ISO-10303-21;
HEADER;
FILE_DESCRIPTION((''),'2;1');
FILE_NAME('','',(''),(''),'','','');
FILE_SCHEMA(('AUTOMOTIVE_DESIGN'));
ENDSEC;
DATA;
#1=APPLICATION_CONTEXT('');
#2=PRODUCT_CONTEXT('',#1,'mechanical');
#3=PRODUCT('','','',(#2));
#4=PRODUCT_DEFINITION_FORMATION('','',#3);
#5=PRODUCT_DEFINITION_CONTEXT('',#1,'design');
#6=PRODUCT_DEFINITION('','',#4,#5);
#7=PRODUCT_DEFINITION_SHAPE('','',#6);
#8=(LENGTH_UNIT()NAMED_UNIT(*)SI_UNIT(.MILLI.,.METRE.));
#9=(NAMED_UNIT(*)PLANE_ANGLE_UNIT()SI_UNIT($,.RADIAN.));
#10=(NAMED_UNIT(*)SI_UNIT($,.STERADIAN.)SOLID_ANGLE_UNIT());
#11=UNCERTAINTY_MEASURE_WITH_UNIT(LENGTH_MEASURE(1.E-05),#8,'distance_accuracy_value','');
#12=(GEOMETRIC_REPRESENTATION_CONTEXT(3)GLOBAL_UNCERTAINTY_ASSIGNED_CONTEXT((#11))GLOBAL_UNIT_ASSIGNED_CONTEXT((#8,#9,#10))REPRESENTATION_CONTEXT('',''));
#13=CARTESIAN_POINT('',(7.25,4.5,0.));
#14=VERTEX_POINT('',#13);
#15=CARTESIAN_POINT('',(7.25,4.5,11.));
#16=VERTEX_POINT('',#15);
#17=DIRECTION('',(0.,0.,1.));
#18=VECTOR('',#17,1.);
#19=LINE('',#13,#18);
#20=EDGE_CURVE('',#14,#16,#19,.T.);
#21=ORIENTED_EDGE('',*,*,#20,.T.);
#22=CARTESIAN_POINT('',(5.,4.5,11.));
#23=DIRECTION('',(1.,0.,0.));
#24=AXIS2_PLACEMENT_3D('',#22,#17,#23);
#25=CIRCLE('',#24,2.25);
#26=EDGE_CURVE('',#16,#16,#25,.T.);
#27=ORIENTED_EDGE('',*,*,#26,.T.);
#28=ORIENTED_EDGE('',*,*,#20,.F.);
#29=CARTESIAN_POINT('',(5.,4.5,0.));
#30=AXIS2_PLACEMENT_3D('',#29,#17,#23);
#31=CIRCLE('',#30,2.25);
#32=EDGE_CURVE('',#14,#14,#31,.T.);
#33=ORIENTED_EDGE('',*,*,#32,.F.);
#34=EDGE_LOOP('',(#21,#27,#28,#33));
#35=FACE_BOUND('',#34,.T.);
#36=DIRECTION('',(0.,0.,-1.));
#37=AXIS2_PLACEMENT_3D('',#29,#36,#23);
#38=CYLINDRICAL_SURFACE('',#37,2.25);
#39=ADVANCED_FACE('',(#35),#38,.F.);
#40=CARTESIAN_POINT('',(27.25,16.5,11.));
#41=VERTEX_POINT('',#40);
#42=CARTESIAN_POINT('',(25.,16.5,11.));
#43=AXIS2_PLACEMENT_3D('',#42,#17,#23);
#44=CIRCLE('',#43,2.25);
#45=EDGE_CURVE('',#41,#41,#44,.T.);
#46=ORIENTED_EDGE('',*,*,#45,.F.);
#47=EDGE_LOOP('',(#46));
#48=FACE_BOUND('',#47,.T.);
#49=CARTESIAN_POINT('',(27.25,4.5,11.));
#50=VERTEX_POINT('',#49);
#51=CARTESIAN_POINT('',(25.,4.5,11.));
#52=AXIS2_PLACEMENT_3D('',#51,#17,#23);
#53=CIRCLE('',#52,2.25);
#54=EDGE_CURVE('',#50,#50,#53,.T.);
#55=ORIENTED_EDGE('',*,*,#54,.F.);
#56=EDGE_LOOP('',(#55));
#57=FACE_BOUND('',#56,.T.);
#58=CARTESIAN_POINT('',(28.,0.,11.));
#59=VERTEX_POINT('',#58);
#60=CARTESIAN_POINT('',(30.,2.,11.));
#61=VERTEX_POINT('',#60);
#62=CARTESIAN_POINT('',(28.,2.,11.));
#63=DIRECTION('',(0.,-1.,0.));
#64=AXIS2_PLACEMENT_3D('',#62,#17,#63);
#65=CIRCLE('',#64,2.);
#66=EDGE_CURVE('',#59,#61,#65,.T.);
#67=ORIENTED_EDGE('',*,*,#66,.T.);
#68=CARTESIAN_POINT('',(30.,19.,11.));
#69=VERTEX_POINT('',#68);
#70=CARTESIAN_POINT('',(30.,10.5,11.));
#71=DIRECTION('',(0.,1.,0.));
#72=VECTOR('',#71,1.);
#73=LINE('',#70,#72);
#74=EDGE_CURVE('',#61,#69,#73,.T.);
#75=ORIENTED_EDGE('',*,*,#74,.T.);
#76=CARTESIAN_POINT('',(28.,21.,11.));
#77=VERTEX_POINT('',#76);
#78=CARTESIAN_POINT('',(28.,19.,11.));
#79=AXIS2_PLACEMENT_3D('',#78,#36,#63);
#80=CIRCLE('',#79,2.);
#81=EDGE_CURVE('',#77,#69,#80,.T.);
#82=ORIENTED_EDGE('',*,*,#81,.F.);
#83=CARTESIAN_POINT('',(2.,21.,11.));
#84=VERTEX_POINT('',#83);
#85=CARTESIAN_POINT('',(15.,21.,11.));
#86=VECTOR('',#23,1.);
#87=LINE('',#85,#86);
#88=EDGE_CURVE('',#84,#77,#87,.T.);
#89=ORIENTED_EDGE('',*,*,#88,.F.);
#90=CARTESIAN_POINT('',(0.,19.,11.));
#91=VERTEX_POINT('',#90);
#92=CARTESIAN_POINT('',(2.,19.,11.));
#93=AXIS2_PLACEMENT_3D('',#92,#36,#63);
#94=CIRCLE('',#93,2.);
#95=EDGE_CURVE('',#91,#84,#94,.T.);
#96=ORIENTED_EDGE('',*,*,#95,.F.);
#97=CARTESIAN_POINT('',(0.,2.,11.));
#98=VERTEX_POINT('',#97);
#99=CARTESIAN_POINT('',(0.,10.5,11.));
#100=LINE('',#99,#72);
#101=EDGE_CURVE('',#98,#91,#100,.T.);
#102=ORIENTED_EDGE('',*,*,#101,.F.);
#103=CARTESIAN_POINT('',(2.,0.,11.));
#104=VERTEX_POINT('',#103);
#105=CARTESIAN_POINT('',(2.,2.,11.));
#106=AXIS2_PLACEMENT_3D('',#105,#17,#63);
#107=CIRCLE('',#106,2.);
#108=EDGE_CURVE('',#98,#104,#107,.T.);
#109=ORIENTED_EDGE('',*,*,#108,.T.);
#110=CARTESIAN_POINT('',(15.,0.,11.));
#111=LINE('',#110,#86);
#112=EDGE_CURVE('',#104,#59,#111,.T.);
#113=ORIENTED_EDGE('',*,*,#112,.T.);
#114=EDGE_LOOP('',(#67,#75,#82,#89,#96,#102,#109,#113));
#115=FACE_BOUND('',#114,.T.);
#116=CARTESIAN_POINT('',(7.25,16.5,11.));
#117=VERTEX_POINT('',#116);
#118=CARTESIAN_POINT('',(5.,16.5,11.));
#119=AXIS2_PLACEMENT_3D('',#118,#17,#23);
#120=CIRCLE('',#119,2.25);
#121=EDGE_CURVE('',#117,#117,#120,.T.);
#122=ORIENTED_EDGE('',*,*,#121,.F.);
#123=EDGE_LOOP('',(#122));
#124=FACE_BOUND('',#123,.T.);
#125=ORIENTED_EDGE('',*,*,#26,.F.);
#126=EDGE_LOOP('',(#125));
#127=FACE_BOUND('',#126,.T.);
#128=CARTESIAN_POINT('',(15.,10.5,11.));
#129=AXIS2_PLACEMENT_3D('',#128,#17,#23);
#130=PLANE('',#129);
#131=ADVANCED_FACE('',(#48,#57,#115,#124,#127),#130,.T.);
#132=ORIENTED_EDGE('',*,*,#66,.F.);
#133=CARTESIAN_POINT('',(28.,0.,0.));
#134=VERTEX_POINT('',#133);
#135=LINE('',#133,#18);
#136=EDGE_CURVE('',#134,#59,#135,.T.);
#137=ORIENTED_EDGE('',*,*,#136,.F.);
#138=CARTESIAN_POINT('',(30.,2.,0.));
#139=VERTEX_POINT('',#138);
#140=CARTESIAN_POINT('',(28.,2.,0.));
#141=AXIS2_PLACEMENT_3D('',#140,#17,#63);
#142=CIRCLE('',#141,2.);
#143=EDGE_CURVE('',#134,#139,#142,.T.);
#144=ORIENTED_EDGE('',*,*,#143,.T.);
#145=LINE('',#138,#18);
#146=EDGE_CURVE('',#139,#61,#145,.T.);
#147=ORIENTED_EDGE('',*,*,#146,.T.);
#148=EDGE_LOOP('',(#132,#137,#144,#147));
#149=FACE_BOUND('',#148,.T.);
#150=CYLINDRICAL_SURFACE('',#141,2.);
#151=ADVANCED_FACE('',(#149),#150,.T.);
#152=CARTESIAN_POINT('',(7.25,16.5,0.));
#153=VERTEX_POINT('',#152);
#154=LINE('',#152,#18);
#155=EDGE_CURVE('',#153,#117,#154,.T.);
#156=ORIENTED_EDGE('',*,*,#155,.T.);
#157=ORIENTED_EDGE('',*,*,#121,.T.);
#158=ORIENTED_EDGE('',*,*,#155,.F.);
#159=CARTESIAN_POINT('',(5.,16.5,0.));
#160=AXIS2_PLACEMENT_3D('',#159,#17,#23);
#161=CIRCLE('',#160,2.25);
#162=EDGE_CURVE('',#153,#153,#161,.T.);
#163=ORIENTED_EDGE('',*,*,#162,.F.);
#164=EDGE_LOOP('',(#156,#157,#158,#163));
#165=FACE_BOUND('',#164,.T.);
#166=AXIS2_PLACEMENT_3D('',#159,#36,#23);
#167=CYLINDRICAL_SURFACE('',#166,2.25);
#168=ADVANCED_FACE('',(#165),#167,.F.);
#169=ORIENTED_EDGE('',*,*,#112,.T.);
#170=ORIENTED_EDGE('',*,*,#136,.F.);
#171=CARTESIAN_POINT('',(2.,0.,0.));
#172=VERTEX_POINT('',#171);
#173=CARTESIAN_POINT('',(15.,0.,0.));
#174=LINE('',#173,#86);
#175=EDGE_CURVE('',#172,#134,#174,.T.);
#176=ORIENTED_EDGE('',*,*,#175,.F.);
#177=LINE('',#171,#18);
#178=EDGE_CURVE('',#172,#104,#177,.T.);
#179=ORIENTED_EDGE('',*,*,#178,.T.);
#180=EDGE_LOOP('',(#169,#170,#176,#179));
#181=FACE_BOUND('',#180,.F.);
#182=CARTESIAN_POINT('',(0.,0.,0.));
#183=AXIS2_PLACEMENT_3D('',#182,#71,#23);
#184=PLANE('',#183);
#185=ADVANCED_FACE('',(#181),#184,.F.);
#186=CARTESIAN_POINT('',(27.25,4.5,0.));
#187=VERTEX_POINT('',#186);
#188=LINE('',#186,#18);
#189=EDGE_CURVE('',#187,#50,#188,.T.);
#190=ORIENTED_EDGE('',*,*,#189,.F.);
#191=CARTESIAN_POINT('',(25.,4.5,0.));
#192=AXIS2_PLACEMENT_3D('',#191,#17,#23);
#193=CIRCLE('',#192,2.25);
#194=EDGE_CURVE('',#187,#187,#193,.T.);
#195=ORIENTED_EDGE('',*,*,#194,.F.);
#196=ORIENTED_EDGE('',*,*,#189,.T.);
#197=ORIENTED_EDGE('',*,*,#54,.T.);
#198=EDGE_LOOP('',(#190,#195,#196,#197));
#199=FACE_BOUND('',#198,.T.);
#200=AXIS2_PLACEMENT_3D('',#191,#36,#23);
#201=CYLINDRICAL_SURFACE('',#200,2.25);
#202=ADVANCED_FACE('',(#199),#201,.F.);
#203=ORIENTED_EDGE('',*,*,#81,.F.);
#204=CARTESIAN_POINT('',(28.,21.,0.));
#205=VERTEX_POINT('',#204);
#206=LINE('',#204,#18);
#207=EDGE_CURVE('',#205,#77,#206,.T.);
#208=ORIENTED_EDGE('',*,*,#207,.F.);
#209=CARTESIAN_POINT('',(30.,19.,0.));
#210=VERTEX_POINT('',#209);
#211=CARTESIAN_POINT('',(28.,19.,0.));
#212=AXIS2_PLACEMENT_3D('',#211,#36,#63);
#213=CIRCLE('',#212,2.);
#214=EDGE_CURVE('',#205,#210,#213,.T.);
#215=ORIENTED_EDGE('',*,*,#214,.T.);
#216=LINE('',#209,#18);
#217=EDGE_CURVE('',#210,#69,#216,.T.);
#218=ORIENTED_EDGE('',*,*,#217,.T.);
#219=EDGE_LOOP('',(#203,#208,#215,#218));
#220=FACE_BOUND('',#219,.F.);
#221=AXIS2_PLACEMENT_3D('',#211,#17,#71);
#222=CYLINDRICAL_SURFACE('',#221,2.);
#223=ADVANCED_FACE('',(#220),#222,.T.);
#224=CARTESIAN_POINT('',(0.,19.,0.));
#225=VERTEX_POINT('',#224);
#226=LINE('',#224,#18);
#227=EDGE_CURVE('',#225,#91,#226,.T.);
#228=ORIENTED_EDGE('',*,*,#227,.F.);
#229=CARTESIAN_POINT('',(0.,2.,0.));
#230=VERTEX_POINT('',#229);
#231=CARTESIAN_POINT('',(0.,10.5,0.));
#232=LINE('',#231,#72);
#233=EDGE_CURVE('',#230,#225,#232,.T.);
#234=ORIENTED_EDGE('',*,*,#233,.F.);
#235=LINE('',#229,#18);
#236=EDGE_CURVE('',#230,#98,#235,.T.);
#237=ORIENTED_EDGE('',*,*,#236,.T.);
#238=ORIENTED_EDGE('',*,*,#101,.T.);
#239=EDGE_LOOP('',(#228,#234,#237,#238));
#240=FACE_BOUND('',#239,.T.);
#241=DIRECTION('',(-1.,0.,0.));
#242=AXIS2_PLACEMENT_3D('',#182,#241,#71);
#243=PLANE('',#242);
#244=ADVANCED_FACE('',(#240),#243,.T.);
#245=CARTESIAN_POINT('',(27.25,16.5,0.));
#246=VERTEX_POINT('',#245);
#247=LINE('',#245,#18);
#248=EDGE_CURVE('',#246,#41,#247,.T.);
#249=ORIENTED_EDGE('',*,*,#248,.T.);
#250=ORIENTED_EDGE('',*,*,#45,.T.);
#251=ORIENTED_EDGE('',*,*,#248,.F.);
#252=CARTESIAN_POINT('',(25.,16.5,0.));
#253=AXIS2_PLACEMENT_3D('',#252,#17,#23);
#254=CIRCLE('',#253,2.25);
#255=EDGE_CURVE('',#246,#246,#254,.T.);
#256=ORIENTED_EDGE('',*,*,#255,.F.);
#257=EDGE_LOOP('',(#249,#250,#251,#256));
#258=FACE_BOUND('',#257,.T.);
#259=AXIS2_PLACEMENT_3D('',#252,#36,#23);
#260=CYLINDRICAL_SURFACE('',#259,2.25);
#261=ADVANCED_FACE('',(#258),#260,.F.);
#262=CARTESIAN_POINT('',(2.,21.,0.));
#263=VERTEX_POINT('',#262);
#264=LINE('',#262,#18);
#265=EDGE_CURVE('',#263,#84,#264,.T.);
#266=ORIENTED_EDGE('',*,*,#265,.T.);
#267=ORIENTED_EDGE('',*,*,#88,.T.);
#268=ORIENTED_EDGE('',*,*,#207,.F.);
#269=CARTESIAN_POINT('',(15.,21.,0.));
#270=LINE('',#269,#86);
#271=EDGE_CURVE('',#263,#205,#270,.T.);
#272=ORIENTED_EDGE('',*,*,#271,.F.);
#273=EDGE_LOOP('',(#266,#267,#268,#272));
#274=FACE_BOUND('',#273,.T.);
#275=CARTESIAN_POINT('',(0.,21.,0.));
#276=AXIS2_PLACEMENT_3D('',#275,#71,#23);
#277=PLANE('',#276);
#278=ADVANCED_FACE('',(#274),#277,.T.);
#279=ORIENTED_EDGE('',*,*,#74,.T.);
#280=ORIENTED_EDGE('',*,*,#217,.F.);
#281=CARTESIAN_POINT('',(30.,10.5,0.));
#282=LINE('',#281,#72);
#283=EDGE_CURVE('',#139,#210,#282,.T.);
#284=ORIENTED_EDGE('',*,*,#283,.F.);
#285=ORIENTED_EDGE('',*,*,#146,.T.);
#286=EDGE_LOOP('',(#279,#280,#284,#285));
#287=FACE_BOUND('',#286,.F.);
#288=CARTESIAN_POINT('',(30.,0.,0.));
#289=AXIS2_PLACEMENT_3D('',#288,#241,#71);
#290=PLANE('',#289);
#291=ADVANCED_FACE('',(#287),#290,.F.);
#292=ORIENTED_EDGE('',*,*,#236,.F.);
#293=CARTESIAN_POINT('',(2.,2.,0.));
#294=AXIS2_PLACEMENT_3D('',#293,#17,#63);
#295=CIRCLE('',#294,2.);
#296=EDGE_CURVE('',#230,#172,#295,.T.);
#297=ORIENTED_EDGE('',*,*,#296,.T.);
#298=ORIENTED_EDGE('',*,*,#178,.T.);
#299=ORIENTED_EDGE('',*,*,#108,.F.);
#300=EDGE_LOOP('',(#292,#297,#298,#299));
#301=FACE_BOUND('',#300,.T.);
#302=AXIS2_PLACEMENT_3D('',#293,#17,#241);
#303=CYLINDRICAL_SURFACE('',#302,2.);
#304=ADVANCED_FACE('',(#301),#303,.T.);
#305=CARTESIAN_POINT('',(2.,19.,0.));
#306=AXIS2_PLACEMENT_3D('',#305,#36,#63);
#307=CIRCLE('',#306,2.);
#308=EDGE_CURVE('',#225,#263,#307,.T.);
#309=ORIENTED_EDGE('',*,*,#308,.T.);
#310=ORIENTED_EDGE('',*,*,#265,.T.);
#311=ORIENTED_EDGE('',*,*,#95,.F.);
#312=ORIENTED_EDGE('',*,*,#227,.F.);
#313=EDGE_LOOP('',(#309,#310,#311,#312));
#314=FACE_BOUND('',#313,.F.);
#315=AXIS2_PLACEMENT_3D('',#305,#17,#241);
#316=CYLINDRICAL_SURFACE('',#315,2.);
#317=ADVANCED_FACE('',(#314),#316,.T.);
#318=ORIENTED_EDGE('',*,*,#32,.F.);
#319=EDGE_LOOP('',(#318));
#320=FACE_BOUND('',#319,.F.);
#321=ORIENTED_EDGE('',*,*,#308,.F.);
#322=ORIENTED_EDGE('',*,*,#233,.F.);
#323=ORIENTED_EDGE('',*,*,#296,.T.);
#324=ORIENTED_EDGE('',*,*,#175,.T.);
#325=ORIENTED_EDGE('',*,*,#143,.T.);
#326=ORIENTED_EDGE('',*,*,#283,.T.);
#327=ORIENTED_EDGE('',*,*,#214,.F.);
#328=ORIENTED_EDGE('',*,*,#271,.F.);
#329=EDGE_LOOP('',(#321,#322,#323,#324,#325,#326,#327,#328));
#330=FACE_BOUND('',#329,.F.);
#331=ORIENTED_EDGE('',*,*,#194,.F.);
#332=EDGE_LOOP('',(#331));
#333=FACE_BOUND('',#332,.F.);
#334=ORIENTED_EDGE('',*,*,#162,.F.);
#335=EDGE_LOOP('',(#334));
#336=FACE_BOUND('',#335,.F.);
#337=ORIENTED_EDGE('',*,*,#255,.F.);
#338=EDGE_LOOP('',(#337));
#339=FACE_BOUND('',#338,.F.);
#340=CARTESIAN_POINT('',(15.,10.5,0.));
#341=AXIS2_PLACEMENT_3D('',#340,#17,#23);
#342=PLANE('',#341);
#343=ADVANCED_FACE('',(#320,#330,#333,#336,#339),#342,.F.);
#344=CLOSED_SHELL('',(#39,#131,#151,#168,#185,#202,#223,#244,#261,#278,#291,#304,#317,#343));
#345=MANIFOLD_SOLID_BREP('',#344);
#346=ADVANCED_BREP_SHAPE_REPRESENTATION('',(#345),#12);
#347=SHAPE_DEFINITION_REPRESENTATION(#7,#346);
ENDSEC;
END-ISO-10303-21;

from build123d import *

# Parameters (mm, degrees)
F0_W     = 30
F0_H     = 21
F0_R     = 2.25
F1_DEPTH = 11
F2_R     = 2


with BuildPart() as f1:
    # F0 (on Top) → F1 (new body)
    with BuildSketch(Plane.XY):
        with Locations((15, 10.5)):
            Rectangle(F0_W, F0_H)
        with Locations((5, 4.5)):
            Circle(F0_R, mode=Mode.SUBTRACT)
        with Locations((25, 4.5)):
            Circle(F0_R, mode=Mode.SUBTRACT)
        with Locations((5, 16.5)):
            Circle(F0_R, mode=Mode.SUBTRACT)
        with Locations((25, 16.5)):
            Circle(F0_R, mode=Mode.SUBTRACT)
    extrude(amount=F1_DEPTH)

    # F2
    f2_edges = [f1.edges().sort_by_distance(p)[0] for p in [
        (30, 0, 5.5),
        (30, 21, 5.5),
        (0, 21, 5.5),
        (0, 0, 5.5),
    ]]
    fillet(f2_edges, radius=F2_R)


solid = f1.part
